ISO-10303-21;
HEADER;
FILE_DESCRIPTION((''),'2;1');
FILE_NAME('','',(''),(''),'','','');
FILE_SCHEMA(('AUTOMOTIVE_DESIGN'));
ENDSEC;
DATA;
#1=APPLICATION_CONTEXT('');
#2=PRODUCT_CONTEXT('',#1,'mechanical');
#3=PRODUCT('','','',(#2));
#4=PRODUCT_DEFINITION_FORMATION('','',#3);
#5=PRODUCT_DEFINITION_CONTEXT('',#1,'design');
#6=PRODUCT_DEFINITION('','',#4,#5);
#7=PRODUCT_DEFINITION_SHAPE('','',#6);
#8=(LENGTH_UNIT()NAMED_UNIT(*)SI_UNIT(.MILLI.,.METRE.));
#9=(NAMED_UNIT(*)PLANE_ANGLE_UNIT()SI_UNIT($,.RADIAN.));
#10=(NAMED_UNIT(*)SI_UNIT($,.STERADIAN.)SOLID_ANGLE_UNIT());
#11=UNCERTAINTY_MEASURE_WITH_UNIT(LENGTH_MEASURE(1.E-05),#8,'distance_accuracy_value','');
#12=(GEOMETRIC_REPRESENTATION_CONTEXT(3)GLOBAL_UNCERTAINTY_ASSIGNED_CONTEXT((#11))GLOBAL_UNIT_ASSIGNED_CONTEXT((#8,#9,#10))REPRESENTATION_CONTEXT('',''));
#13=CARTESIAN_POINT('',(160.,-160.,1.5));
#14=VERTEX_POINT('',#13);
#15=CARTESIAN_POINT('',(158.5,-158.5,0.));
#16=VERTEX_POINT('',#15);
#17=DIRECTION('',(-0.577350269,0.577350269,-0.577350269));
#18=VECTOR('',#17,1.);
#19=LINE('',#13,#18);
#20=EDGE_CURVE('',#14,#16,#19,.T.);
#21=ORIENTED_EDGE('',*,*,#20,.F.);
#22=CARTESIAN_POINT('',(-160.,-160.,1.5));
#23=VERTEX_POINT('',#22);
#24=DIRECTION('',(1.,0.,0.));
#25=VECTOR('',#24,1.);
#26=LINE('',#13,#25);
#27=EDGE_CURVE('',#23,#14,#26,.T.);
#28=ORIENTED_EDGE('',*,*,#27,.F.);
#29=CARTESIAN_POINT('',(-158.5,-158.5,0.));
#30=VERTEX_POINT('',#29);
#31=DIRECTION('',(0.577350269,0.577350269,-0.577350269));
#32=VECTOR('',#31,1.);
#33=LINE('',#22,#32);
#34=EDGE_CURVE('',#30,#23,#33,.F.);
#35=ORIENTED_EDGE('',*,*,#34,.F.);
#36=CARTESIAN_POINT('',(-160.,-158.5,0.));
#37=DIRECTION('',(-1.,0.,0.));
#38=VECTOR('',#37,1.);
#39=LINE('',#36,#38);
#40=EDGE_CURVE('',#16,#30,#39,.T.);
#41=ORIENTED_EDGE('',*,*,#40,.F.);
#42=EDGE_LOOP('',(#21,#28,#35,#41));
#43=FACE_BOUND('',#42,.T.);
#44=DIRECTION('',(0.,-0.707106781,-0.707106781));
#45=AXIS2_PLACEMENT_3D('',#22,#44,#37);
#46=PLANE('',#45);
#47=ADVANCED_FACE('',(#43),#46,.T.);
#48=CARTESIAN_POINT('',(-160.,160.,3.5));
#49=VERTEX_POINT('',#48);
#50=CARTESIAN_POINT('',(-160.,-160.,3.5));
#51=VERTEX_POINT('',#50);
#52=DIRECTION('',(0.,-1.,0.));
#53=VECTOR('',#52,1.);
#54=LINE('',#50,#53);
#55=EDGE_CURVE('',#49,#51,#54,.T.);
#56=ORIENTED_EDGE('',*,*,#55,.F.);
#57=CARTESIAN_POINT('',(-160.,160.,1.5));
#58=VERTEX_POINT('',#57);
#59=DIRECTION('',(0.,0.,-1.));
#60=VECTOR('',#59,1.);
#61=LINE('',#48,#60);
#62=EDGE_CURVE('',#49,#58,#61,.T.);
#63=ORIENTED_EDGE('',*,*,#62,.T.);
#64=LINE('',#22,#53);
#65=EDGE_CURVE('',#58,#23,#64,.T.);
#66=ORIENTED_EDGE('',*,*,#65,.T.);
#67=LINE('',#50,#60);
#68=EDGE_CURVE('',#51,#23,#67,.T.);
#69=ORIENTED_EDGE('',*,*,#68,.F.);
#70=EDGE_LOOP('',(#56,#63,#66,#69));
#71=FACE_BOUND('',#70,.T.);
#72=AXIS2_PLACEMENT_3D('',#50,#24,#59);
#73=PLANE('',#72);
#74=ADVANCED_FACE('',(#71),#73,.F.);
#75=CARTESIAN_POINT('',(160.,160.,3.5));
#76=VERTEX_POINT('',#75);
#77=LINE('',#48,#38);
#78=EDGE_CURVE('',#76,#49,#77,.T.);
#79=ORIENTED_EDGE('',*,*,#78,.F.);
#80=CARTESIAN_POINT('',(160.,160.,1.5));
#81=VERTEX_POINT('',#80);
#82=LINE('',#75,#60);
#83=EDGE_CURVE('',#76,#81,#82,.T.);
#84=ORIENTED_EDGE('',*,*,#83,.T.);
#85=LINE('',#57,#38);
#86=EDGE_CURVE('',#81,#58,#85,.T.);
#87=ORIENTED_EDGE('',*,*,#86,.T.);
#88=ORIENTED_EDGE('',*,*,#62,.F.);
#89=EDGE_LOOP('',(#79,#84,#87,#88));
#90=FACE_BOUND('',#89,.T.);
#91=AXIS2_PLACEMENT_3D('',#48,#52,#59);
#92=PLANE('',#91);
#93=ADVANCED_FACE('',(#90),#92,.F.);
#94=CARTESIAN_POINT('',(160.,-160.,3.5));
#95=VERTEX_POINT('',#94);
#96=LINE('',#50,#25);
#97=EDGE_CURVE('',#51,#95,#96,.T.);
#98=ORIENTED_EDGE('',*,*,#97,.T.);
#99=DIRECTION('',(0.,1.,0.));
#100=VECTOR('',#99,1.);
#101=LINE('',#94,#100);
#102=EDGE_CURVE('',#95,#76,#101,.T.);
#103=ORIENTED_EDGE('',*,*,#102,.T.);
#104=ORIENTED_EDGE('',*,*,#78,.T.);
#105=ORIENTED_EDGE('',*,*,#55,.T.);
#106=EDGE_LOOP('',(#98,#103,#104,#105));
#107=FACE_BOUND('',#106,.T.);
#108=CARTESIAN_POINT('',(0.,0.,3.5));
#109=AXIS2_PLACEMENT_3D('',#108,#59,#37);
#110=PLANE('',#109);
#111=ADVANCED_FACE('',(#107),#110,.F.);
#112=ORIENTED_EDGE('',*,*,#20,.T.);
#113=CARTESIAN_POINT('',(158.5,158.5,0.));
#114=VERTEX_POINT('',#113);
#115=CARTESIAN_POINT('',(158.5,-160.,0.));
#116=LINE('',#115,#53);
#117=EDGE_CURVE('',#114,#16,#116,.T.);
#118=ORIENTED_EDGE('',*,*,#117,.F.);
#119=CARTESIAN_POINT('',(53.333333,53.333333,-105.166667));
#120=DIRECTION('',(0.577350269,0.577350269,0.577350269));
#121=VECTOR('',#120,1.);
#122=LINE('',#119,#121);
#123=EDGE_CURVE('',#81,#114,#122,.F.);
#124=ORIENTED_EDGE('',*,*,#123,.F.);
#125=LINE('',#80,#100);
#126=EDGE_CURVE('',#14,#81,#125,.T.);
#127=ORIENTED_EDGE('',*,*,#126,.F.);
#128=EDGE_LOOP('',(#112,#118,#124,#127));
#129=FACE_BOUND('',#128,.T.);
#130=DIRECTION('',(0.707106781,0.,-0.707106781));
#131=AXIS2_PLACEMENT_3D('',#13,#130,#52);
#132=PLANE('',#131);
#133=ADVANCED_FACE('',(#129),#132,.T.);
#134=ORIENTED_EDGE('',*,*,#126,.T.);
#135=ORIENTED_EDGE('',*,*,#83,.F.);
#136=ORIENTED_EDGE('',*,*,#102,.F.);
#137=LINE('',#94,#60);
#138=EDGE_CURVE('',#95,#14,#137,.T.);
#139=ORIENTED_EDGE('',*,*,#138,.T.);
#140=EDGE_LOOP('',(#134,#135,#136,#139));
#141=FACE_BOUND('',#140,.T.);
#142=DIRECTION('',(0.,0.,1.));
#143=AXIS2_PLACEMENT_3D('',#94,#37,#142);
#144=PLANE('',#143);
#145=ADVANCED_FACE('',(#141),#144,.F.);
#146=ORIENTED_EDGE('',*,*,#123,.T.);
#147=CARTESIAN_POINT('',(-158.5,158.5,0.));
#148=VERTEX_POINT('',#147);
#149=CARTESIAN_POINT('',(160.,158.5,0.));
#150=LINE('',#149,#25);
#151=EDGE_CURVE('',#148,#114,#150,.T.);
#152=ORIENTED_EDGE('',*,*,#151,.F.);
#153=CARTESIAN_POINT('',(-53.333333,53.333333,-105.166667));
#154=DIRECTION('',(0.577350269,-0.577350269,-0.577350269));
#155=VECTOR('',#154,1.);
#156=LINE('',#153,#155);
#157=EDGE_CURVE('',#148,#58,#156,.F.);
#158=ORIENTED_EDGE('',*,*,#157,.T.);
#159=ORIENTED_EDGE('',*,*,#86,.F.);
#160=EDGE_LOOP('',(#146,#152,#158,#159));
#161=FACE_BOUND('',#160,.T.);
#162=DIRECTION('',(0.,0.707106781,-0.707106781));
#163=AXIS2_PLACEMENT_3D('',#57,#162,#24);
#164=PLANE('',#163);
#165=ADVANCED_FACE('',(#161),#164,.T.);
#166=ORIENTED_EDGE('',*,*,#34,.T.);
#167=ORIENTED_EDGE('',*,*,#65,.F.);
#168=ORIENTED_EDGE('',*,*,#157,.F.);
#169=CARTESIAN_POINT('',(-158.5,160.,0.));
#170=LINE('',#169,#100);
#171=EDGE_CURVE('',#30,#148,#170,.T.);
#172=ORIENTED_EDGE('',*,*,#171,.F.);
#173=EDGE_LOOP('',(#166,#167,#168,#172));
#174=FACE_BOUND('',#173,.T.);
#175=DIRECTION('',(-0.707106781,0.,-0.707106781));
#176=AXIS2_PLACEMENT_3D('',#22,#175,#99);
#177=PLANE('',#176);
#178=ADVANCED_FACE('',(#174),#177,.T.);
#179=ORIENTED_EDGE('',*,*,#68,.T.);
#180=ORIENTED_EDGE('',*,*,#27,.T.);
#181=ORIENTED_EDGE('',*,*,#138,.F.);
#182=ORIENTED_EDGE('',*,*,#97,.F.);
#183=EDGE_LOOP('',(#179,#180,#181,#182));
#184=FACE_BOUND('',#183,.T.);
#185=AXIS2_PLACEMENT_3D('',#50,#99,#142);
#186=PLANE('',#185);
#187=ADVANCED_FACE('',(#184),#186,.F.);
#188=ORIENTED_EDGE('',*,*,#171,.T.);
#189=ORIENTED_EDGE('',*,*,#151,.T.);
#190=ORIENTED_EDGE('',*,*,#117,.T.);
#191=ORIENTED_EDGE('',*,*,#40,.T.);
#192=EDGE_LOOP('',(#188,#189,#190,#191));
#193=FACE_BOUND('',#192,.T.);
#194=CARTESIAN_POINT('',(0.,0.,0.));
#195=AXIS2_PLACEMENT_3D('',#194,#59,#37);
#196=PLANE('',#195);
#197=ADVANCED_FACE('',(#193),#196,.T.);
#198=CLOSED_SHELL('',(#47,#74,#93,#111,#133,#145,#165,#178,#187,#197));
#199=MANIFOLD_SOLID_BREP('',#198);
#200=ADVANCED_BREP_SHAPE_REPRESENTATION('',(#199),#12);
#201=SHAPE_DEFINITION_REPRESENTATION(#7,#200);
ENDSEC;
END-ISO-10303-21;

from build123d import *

# Parameters (mm, degrees)
SKETCH1_W           = 320
SKETCH1_H           = 320
BOSS_EXTRUDE1_DEPTH = 3.5
CHAMFER1_SIZE       = 1.5


with BuildPart() as part:
    # Sketch1 → Boss-Extrude1 (new body)
    with BuildSketch(Plane.XY):
        Rectangle(SKETCH1_W, SKETCH1_H)
    extrude(amount=BOSS_EXTRUDE1_DEPTH)

    # Chamfer1
    chamfer1_edges = [part.edges().sort_by_distance(p)[0] for p in [
        (0, -160, 0),
        (-160, 0, 0),
        (0, 160, 0),
        (160, 0, 0),
    ]]
    chamfer(chamfer1_edges, length=CHAMFER1_SIZE)


solid = part.part
